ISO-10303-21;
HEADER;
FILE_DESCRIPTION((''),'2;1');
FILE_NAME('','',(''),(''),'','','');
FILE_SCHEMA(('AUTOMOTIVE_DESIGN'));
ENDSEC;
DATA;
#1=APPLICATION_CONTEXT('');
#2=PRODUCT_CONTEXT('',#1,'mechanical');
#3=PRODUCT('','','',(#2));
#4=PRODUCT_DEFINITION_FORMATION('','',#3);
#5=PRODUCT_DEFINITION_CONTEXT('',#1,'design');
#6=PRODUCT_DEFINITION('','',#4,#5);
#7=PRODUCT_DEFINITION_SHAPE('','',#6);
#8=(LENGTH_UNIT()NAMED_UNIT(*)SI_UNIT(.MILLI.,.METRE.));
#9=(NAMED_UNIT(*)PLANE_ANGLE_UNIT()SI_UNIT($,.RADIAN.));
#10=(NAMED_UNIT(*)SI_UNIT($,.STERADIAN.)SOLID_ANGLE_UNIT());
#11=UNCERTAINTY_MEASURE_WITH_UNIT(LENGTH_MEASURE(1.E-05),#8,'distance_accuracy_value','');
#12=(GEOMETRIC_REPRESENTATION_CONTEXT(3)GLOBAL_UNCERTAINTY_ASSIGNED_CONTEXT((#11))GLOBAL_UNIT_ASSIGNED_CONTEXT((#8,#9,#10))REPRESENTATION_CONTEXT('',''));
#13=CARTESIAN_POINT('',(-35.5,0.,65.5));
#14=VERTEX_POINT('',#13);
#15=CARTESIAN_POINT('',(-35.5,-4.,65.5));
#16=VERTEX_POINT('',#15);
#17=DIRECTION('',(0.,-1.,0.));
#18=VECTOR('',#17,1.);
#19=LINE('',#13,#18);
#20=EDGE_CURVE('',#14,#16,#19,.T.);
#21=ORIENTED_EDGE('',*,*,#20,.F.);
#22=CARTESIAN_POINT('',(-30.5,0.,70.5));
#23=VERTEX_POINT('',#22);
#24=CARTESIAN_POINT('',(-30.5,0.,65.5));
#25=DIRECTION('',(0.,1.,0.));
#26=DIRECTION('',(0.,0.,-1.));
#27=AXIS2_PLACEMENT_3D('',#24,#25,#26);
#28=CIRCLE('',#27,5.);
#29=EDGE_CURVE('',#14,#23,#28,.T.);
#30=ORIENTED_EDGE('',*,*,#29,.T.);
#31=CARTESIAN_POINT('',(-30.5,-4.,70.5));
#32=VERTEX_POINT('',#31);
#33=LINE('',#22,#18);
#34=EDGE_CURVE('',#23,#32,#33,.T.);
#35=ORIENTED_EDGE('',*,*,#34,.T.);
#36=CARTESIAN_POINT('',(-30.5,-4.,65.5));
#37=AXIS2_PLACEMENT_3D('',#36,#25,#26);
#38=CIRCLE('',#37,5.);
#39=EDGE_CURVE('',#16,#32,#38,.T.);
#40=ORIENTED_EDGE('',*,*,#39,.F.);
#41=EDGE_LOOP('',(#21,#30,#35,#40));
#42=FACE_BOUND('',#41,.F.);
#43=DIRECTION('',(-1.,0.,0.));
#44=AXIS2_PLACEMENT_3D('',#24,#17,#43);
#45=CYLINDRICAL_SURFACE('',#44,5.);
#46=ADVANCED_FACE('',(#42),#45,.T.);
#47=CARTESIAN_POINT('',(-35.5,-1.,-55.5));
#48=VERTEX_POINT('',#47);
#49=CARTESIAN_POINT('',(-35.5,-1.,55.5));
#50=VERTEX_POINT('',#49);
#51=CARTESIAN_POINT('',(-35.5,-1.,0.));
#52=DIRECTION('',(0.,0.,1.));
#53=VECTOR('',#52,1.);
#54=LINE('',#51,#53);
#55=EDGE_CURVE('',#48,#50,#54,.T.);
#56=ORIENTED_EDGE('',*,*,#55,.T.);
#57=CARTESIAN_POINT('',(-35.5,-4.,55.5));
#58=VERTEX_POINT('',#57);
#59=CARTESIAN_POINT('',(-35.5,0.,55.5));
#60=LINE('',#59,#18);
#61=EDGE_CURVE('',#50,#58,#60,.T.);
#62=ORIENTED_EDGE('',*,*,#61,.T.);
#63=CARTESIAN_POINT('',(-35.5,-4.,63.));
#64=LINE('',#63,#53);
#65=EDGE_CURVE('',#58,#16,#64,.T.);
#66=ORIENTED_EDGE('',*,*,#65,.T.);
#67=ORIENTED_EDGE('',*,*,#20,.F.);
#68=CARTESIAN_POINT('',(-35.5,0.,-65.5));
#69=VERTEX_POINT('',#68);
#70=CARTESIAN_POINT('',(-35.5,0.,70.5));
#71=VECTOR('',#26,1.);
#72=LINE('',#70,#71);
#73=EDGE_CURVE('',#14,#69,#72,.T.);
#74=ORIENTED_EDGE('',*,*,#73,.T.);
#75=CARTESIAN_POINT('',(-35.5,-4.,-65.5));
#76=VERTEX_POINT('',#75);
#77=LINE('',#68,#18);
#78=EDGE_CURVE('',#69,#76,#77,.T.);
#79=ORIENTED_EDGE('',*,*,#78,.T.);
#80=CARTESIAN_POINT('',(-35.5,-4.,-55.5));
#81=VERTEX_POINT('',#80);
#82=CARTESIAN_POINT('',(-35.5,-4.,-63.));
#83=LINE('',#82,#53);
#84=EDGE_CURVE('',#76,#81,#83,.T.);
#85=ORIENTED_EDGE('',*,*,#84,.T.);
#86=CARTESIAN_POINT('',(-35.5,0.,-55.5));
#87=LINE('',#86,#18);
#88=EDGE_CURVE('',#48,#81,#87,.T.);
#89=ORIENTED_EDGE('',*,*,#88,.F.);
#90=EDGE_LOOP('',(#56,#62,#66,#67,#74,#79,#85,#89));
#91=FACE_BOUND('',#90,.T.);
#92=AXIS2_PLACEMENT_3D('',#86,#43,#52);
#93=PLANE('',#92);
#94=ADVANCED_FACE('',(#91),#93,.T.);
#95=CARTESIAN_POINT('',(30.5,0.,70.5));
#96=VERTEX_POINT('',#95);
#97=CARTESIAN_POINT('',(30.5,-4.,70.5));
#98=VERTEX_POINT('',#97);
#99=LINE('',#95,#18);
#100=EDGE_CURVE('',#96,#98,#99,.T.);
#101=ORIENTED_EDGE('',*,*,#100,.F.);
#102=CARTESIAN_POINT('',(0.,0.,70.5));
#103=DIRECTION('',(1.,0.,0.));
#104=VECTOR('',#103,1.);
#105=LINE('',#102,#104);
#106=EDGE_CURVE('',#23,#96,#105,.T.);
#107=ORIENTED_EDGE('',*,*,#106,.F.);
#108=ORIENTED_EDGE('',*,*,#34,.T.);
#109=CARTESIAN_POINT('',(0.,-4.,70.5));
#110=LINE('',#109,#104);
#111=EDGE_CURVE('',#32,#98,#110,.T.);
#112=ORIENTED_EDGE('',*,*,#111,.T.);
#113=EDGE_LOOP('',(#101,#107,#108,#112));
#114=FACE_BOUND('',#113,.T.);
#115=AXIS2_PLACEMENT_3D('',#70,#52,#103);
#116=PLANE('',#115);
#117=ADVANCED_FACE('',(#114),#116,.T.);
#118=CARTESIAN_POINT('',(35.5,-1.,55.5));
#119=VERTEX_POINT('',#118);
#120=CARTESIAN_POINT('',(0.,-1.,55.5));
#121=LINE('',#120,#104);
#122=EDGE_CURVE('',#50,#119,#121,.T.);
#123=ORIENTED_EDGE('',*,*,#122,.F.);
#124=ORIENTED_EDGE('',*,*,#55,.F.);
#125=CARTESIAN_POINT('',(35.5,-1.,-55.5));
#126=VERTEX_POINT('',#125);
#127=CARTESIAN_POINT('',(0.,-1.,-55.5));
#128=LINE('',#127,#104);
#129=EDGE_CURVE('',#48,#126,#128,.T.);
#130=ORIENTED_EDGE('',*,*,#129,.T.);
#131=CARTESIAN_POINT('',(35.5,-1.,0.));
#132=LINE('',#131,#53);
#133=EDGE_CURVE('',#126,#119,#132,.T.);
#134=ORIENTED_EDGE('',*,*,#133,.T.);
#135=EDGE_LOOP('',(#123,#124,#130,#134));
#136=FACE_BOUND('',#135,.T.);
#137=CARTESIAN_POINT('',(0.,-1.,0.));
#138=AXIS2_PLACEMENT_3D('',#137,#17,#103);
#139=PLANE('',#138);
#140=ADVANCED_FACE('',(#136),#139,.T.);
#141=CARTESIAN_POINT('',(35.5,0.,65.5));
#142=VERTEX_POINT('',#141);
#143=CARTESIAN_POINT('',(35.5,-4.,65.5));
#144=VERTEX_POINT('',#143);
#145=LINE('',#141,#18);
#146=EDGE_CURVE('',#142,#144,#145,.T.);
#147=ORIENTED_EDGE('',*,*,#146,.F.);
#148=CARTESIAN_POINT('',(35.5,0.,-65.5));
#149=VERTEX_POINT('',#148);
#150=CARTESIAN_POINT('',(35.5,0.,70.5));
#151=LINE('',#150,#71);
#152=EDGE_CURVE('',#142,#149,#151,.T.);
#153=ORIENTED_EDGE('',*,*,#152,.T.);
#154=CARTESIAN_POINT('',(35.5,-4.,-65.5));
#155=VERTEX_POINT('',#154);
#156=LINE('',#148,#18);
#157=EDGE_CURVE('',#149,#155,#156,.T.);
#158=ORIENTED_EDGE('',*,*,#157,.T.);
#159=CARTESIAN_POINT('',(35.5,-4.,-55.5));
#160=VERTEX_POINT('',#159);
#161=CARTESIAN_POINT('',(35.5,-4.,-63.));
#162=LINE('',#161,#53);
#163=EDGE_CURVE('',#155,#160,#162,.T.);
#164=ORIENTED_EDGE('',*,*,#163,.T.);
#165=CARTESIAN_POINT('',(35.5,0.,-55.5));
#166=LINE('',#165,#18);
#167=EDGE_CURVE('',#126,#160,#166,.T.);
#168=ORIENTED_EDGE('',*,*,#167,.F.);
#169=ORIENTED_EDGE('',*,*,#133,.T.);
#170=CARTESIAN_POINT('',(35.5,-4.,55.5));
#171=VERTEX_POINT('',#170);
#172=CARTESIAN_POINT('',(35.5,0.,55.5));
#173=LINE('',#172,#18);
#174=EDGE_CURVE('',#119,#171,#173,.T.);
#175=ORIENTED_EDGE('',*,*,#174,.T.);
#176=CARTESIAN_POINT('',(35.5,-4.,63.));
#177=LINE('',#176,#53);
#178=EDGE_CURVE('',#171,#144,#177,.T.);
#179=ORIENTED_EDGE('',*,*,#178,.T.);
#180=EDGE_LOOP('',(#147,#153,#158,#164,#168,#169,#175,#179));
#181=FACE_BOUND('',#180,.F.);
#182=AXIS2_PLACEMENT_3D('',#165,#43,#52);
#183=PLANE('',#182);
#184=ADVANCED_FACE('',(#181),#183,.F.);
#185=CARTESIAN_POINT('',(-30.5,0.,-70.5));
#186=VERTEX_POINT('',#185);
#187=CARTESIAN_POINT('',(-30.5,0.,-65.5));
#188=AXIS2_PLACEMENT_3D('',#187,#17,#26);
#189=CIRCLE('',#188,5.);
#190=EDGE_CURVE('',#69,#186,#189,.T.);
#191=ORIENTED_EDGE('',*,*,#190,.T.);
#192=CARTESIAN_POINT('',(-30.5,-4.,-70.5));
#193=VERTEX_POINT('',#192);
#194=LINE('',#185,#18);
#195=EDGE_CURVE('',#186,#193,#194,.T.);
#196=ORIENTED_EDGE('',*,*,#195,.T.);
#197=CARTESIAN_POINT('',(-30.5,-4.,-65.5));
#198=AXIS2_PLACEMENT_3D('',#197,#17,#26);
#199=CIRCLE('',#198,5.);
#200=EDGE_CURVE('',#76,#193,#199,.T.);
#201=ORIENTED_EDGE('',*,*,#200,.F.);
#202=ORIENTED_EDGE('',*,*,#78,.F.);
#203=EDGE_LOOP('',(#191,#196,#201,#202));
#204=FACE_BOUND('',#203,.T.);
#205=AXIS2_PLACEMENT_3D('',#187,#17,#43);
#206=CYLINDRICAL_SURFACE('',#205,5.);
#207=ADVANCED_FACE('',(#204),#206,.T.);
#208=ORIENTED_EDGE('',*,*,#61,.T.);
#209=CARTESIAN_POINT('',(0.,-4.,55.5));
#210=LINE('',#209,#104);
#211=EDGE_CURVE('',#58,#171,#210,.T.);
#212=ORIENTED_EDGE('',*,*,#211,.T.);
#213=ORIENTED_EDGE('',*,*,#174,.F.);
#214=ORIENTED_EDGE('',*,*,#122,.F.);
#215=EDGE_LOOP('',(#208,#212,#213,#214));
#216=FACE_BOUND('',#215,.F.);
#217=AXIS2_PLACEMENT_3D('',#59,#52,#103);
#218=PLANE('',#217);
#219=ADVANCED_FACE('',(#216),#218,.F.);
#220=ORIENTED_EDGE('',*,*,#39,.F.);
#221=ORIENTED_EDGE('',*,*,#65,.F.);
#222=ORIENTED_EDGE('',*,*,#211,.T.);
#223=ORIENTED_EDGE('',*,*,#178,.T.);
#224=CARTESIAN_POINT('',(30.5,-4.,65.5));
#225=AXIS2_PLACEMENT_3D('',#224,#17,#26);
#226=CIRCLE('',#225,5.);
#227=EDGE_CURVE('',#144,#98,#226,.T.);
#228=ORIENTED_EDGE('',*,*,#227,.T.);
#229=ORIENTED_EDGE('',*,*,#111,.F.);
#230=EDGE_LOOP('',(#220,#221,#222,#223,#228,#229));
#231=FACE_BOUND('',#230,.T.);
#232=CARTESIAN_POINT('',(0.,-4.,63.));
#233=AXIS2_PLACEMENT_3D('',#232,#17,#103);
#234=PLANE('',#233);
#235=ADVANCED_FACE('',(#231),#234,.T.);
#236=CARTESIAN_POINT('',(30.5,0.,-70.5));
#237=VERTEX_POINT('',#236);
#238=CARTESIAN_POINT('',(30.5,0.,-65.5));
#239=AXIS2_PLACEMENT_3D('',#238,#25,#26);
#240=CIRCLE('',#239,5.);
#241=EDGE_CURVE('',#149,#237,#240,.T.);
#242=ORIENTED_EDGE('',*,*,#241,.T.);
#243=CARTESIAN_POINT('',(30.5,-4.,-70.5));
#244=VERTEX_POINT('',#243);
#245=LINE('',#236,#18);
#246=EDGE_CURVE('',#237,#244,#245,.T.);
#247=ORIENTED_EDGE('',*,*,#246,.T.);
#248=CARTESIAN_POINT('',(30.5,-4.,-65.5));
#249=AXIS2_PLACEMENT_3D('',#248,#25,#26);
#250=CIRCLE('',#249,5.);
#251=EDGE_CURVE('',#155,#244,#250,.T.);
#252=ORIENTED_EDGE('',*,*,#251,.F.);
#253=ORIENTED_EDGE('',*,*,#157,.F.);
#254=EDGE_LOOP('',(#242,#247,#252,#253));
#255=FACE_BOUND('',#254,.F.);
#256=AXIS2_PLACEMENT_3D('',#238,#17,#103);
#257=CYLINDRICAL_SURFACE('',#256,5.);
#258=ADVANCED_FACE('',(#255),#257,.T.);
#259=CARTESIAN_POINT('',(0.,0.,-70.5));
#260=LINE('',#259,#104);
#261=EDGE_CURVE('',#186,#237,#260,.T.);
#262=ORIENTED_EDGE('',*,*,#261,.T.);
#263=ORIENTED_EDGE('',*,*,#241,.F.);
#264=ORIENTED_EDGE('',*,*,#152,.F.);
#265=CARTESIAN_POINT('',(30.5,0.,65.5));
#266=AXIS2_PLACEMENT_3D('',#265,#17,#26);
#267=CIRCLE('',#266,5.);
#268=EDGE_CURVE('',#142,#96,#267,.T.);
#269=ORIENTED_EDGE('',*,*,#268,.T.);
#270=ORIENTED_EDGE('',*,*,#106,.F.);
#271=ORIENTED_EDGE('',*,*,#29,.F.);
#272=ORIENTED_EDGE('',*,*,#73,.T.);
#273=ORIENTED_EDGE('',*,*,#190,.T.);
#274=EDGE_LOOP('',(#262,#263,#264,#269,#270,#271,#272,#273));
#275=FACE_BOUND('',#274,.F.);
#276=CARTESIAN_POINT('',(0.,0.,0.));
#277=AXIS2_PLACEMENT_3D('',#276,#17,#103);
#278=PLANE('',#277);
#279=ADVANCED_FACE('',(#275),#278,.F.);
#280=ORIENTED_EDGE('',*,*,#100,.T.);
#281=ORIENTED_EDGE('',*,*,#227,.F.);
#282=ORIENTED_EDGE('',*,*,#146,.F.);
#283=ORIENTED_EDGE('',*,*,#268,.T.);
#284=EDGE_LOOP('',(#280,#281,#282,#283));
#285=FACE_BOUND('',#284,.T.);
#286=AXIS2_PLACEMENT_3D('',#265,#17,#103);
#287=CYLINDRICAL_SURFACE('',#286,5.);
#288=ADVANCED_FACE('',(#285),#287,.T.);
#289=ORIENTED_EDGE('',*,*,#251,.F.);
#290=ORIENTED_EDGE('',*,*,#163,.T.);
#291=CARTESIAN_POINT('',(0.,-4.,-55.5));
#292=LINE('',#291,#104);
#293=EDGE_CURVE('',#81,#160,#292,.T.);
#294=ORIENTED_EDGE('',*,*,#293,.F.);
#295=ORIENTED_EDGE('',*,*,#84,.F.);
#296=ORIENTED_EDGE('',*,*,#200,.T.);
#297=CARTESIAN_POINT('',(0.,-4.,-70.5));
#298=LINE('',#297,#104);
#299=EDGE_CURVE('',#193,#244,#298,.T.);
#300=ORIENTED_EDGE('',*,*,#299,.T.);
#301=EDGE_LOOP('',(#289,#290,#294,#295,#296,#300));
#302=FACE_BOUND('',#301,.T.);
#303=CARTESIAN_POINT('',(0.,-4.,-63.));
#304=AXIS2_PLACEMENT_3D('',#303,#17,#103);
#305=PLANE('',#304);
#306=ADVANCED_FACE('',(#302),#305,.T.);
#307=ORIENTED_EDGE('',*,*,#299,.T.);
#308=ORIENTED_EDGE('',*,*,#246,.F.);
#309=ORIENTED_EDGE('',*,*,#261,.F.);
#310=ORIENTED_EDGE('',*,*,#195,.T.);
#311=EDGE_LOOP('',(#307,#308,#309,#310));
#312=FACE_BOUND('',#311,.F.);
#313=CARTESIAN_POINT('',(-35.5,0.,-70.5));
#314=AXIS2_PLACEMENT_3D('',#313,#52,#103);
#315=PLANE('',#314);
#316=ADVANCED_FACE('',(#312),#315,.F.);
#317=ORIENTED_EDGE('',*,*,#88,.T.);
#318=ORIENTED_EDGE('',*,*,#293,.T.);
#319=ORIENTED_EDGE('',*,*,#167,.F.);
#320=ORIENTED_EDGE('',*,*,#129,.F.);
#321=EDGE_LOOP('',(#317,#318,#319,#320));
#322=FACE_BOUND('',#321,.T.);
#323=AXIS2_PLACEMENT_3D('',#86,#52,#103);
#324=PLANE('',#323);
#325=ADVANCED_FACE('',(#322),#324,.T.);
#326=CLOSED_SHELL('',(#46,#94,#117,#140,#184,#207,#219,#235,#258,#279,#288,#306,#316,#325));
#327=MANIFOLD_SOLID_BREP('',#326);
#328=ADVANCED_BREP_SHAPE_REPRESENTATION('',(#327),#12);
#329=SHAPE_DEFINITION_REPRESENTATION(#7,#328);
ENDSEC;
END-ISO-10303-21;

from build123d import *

# Parameters (mm, degrees)
F0_W     = 71
F0_H     = 15
F1_DEPTH = 4
F0_H_2   = 111
F2_DEPTH = 1
F3_R     = 5


with BuildPart() as f1:
    # F0 (on Front) → F1 (new body)
    with BuildSketch(Plane.XZ):
        with Locations((0, 63)):
            Rectangle(F0_W, F0_H)
        with Locations((0, -63)):
            Rectangle(F0_W, F0_H)
    extrude(amount=F1_DEPTH)

    # F0 (on Front) → F2 (join)
    with BuildSketch(Plane.XZ):
        Rectangle(F0_W, F0_H_2)
    extrude(amount=F2_DEPTH)

    # F3
    f3_edges = [f1.edges().sort_by_distance(p)[0] for p in [
        (-35.5, -2, 70.5),
        (35.5, -2, 70.5),
        (35.5, -2, -70.5),
        (-35.5, -2, -70.5),
    ]]
    fillet(f3_edges, radius=F3_R)


solid = f1.part
